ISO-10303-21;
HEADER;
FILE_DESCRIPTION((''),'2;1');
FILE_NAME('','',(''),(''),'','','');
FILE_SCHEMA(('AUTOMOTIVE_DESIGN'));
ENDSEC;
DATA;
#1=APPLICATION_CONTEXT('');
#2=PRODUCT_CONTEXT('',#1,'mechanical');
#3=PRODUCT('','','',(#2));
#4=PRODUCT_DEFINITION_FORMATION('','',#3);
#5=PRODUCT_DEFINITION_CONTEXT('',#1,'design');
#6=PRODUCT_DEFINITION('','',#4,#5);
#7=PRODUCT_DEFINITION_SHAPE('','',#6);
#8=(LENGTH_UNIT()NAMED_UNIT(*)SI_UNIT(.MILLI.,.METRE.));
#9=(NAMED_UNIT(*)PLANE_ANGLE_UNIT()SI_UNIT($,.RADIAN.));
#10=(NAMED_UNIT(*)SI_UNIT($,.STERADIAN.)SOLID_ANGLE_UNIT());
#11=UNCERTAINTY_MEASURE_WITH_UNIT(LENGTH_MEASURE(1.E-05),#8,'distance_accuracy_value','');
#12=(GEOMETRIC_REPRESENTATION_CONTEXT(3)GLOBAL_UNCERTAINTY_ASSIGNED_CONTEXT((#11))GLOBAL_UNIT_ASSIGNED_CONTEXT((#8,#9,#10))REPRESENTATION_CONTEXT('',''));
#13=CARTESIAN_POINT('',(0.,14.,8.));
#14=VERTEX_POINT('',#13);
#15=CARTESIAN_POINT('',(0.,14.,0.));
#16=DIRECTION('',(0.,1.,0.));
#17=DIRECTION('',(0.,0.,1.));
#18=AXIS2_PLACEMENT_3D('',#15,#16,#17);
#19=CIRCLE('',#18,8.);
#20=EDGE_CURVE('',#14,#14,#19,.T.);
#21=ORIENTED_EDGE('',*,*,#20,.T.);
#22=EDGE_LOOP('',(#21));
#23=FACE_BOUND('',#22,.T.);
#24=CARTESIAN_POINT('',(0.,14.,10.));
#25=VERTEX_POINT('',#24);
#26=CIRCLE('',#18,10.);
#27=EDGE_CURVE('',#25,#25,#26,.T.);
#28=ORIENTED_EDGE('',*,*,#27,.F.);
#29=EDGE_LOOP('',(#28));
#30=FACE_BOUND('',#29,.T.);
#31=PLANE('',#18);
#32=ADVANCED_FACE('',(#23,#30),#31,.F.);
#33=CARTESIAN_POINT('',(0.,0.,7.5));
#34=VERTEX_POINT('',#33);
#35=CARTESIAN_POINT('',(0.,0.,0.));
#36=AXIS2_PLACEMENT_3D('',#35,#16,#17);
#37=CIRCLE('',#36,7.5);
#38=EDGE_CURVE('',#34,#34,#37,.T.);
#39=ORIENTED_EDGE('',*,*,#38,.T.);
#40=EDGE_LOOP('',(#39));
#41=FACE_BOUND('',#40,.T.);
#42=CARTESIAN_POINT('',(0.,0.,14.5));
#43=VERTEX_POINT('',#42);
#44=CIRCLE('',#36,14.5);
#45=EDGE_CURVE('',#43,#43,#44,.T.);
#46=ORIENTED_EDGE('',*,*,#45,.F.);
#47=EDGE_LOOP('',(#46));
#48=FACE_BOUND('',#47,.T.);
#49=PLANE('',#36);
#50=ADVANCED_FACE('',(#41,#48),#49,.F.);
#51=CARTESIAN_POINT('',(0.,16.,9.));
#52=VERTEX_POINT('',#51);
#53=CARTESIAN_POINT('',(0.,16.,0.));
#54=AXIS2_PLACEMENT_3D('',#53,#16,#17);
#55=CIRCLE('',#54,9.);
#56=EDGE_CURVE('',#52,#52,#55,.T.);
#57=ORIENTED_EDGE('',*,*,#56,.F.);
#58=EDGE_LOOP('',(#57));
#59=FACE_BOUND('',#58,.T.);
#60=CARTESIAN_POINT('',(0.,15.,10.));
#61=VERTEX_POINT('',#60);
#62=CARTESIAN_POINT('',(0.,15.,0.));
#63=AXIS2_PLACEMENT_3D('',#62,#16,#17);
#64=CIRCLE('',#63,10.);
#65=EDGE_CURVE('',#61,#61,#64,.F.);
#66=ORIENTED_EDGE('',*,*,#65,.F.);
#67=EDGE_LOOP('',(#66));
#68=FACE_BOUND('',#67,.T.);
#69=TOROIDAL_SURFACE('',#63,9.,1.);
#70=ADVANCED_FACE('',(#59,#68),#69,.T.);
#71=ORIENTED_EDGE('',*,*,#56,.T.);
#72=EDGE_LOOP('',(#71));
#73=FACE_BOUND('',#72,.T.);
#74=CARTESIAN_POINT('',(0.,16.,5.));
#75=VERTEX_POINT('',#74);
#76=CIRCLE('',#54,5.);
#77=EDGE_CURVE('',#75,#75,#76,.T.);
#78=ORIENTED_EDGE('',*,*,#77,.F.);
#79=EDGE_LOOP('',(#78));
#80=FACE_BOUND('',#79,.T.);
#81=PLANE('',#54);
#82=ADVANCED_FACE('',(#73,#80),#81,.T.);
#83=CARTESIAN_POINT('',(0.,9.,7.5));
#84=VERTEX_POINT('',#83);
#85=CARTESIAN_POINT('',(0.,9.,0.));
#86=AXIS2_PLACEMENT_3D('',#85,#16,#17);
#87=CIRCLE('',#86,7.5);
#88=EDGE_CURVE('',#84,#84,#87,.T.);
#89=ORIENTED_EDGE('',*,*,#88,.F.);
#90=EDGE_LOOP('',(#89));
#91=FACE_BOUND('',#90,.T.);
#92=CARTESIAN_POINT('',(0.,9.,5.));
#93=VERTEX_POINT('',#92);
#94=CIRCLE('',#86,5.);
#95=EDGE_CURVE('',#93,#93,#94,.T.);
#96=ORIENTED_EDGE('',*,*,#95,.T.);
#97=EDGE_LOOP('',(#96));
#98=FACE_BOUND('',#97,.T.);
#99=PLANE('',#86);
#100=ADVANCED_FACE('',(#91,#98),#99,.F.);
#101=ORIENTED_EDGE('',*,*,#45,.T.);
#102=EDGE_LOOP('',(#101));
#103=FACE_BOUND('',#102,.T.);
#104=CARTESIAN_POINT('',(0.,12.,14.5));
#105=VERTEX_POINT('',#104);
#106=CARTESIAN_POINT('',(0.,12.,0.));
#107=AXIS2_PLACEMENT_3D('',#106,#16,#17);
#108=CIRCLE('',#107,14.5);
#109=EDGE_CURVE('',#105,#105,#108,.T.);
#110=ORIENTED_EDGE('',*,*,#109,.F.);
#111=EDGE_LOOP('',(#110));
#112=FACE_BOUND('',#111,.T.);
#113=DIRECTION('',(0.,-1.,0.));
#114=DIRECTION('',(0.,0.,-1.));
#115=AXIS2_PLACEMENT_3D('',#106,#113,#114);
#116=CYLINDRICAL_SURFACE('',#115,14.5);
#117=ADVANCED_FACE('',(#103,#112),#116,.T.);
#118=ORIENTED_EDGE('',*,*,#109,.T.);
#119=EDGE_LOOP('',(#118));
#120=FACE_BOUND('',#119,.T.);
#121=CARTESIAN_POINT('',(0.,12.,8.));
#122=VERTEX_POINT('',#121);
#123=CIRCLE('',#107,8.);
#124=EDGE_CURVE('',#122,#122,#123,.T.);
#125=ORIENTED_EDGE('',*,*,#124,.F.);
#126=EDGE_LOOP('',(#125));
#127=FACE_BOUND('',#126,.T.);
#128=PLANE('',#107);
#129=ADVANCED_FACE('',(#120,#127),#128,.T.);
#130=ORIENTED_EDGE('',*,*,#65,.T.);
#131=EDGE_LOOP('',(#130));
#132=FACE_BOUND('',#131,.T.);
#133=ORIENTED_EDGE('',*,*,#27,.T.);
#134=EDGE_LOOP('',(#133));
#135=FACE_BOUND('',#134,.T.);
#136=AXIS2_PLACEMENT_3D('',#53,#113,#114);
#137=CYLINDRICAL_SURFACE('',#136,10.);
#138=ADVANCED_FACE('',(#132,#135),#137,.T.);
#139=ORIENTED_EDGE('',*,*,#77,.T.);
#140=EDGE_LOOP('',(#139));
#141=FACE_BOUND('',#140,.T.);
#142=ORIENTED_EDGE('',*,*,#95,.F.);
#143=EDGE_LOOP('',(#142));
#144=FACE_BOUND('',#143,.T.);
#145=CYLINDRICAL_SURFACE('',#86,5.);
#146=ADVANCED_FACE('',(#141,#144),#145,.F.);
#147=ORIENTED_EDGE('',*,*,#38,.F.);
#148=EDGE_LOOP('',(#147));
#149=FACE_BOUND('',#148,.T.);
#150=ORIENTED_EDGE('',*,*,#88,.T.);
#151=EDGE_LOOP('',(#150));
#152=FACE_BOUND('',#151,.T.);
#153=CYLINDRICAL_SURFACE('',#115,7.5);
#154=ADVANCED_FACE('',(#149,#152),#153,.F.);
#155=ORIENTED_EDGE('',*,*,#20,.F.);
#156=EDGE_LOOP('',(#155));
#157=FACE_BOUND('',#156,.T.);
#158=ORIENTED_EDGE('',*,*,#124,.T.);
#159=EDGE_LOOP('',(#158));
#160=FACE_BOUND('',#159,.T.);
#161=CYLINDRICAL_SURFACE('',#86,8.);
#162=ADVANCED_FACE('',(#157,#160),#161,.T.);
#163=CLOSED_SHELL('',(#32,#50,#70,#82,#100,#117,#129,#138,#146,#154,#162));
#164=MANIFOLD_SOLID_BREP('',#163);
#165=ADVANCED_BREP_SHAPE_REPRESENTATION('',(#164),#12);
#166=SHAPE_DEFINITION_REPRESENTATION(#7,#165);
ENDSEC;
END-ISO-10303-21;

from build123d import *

# Parameters (mm, degrees)
SKETCH_1_R           = 14.5
SKETCH_1_R_2         = 7.5
EXTRUDE_1_DEPTH      = 12
EXTRUDE_2_DEPTH      = 2
EXTRUDE_2_DEPTH_BACK = 3
SKETCH_2_R           = 8
SKETCH_2_R_2         = 5
SKETCH_3_R           = 10
SKETCH_3_R_2         = 5
EXTRUDE_3_DEPTH      = 2
FILLET_1_R           = 1


with BuildPart() as part:
    # Эскиз1 → Бобышка-Вытянуть1 (new body)
    with BuildSketch(Plane(origin=(0, 0, 0), x_dir=(1, 0, 0), z_dir=(0, 1, 0))):
        with Locations(Location((0, 0, 0), (0, 0, 270))):
            Circle(SKETCH_1_R)
        with Locations(Location((0, 0, 0), (0, 0, 270))):
            Circle(SKETCH_1_R_2, mode=Mode.SUBTRACT)
    extrude(amount=EXTRUDE_1_DEPTH)

    # Эскиз2 → Бобышка-Вытянуть2 (add, two sides: drawn at the far end of the back side and taken through both)
    with BuildSketch(Plane(origin=(0, 12, 0), x_dir=(1, 0, 0), z_dir=(0, 1, 0)).offset(-EXTRUDE_2_DEPTH_BACK)):
        with Locations(Location((0, 0, 0), (0, 0, 270))):
            Circle(SKETCH_2_R)
        with Locations(Location((0, 0, 0), (0, 0, 270))):
            Circle(SKETCH_2_R_2, mode=Mode.SUBTRACT)
    extrude(amount=EXTRUDE_2_DEPTH + EXTRUDE_2_DEPTH_BACK)

    # Эскиз3 → Бобышка-Вытянуть3 (add)
    with BuildSketch(Plane(origin=(0, 14, 0), x_dir=(1, 0, 0), z_dir=(0, 1, 0))):
        with Locations(Location((0, 0, 0), (0, 0, 270))):
            Circle(SKETCH_3_R)
        with Locations(Location((0, 0, 0), (0, 0, 270))):
            Circle(SKETCH_3_R_2, mode=Mode.SUBTRACT)
    extrude(amount=EXTRUDE_3_DEPTH)

    # Скругление1
    fillet_1_edges = [part.edges().sort_by_distance(p)[0] for p in [
        (0, 16, -10),
    ]]
    fillet(fillet_1_edges, radius=FILLET_1_R)


solid = part.part
